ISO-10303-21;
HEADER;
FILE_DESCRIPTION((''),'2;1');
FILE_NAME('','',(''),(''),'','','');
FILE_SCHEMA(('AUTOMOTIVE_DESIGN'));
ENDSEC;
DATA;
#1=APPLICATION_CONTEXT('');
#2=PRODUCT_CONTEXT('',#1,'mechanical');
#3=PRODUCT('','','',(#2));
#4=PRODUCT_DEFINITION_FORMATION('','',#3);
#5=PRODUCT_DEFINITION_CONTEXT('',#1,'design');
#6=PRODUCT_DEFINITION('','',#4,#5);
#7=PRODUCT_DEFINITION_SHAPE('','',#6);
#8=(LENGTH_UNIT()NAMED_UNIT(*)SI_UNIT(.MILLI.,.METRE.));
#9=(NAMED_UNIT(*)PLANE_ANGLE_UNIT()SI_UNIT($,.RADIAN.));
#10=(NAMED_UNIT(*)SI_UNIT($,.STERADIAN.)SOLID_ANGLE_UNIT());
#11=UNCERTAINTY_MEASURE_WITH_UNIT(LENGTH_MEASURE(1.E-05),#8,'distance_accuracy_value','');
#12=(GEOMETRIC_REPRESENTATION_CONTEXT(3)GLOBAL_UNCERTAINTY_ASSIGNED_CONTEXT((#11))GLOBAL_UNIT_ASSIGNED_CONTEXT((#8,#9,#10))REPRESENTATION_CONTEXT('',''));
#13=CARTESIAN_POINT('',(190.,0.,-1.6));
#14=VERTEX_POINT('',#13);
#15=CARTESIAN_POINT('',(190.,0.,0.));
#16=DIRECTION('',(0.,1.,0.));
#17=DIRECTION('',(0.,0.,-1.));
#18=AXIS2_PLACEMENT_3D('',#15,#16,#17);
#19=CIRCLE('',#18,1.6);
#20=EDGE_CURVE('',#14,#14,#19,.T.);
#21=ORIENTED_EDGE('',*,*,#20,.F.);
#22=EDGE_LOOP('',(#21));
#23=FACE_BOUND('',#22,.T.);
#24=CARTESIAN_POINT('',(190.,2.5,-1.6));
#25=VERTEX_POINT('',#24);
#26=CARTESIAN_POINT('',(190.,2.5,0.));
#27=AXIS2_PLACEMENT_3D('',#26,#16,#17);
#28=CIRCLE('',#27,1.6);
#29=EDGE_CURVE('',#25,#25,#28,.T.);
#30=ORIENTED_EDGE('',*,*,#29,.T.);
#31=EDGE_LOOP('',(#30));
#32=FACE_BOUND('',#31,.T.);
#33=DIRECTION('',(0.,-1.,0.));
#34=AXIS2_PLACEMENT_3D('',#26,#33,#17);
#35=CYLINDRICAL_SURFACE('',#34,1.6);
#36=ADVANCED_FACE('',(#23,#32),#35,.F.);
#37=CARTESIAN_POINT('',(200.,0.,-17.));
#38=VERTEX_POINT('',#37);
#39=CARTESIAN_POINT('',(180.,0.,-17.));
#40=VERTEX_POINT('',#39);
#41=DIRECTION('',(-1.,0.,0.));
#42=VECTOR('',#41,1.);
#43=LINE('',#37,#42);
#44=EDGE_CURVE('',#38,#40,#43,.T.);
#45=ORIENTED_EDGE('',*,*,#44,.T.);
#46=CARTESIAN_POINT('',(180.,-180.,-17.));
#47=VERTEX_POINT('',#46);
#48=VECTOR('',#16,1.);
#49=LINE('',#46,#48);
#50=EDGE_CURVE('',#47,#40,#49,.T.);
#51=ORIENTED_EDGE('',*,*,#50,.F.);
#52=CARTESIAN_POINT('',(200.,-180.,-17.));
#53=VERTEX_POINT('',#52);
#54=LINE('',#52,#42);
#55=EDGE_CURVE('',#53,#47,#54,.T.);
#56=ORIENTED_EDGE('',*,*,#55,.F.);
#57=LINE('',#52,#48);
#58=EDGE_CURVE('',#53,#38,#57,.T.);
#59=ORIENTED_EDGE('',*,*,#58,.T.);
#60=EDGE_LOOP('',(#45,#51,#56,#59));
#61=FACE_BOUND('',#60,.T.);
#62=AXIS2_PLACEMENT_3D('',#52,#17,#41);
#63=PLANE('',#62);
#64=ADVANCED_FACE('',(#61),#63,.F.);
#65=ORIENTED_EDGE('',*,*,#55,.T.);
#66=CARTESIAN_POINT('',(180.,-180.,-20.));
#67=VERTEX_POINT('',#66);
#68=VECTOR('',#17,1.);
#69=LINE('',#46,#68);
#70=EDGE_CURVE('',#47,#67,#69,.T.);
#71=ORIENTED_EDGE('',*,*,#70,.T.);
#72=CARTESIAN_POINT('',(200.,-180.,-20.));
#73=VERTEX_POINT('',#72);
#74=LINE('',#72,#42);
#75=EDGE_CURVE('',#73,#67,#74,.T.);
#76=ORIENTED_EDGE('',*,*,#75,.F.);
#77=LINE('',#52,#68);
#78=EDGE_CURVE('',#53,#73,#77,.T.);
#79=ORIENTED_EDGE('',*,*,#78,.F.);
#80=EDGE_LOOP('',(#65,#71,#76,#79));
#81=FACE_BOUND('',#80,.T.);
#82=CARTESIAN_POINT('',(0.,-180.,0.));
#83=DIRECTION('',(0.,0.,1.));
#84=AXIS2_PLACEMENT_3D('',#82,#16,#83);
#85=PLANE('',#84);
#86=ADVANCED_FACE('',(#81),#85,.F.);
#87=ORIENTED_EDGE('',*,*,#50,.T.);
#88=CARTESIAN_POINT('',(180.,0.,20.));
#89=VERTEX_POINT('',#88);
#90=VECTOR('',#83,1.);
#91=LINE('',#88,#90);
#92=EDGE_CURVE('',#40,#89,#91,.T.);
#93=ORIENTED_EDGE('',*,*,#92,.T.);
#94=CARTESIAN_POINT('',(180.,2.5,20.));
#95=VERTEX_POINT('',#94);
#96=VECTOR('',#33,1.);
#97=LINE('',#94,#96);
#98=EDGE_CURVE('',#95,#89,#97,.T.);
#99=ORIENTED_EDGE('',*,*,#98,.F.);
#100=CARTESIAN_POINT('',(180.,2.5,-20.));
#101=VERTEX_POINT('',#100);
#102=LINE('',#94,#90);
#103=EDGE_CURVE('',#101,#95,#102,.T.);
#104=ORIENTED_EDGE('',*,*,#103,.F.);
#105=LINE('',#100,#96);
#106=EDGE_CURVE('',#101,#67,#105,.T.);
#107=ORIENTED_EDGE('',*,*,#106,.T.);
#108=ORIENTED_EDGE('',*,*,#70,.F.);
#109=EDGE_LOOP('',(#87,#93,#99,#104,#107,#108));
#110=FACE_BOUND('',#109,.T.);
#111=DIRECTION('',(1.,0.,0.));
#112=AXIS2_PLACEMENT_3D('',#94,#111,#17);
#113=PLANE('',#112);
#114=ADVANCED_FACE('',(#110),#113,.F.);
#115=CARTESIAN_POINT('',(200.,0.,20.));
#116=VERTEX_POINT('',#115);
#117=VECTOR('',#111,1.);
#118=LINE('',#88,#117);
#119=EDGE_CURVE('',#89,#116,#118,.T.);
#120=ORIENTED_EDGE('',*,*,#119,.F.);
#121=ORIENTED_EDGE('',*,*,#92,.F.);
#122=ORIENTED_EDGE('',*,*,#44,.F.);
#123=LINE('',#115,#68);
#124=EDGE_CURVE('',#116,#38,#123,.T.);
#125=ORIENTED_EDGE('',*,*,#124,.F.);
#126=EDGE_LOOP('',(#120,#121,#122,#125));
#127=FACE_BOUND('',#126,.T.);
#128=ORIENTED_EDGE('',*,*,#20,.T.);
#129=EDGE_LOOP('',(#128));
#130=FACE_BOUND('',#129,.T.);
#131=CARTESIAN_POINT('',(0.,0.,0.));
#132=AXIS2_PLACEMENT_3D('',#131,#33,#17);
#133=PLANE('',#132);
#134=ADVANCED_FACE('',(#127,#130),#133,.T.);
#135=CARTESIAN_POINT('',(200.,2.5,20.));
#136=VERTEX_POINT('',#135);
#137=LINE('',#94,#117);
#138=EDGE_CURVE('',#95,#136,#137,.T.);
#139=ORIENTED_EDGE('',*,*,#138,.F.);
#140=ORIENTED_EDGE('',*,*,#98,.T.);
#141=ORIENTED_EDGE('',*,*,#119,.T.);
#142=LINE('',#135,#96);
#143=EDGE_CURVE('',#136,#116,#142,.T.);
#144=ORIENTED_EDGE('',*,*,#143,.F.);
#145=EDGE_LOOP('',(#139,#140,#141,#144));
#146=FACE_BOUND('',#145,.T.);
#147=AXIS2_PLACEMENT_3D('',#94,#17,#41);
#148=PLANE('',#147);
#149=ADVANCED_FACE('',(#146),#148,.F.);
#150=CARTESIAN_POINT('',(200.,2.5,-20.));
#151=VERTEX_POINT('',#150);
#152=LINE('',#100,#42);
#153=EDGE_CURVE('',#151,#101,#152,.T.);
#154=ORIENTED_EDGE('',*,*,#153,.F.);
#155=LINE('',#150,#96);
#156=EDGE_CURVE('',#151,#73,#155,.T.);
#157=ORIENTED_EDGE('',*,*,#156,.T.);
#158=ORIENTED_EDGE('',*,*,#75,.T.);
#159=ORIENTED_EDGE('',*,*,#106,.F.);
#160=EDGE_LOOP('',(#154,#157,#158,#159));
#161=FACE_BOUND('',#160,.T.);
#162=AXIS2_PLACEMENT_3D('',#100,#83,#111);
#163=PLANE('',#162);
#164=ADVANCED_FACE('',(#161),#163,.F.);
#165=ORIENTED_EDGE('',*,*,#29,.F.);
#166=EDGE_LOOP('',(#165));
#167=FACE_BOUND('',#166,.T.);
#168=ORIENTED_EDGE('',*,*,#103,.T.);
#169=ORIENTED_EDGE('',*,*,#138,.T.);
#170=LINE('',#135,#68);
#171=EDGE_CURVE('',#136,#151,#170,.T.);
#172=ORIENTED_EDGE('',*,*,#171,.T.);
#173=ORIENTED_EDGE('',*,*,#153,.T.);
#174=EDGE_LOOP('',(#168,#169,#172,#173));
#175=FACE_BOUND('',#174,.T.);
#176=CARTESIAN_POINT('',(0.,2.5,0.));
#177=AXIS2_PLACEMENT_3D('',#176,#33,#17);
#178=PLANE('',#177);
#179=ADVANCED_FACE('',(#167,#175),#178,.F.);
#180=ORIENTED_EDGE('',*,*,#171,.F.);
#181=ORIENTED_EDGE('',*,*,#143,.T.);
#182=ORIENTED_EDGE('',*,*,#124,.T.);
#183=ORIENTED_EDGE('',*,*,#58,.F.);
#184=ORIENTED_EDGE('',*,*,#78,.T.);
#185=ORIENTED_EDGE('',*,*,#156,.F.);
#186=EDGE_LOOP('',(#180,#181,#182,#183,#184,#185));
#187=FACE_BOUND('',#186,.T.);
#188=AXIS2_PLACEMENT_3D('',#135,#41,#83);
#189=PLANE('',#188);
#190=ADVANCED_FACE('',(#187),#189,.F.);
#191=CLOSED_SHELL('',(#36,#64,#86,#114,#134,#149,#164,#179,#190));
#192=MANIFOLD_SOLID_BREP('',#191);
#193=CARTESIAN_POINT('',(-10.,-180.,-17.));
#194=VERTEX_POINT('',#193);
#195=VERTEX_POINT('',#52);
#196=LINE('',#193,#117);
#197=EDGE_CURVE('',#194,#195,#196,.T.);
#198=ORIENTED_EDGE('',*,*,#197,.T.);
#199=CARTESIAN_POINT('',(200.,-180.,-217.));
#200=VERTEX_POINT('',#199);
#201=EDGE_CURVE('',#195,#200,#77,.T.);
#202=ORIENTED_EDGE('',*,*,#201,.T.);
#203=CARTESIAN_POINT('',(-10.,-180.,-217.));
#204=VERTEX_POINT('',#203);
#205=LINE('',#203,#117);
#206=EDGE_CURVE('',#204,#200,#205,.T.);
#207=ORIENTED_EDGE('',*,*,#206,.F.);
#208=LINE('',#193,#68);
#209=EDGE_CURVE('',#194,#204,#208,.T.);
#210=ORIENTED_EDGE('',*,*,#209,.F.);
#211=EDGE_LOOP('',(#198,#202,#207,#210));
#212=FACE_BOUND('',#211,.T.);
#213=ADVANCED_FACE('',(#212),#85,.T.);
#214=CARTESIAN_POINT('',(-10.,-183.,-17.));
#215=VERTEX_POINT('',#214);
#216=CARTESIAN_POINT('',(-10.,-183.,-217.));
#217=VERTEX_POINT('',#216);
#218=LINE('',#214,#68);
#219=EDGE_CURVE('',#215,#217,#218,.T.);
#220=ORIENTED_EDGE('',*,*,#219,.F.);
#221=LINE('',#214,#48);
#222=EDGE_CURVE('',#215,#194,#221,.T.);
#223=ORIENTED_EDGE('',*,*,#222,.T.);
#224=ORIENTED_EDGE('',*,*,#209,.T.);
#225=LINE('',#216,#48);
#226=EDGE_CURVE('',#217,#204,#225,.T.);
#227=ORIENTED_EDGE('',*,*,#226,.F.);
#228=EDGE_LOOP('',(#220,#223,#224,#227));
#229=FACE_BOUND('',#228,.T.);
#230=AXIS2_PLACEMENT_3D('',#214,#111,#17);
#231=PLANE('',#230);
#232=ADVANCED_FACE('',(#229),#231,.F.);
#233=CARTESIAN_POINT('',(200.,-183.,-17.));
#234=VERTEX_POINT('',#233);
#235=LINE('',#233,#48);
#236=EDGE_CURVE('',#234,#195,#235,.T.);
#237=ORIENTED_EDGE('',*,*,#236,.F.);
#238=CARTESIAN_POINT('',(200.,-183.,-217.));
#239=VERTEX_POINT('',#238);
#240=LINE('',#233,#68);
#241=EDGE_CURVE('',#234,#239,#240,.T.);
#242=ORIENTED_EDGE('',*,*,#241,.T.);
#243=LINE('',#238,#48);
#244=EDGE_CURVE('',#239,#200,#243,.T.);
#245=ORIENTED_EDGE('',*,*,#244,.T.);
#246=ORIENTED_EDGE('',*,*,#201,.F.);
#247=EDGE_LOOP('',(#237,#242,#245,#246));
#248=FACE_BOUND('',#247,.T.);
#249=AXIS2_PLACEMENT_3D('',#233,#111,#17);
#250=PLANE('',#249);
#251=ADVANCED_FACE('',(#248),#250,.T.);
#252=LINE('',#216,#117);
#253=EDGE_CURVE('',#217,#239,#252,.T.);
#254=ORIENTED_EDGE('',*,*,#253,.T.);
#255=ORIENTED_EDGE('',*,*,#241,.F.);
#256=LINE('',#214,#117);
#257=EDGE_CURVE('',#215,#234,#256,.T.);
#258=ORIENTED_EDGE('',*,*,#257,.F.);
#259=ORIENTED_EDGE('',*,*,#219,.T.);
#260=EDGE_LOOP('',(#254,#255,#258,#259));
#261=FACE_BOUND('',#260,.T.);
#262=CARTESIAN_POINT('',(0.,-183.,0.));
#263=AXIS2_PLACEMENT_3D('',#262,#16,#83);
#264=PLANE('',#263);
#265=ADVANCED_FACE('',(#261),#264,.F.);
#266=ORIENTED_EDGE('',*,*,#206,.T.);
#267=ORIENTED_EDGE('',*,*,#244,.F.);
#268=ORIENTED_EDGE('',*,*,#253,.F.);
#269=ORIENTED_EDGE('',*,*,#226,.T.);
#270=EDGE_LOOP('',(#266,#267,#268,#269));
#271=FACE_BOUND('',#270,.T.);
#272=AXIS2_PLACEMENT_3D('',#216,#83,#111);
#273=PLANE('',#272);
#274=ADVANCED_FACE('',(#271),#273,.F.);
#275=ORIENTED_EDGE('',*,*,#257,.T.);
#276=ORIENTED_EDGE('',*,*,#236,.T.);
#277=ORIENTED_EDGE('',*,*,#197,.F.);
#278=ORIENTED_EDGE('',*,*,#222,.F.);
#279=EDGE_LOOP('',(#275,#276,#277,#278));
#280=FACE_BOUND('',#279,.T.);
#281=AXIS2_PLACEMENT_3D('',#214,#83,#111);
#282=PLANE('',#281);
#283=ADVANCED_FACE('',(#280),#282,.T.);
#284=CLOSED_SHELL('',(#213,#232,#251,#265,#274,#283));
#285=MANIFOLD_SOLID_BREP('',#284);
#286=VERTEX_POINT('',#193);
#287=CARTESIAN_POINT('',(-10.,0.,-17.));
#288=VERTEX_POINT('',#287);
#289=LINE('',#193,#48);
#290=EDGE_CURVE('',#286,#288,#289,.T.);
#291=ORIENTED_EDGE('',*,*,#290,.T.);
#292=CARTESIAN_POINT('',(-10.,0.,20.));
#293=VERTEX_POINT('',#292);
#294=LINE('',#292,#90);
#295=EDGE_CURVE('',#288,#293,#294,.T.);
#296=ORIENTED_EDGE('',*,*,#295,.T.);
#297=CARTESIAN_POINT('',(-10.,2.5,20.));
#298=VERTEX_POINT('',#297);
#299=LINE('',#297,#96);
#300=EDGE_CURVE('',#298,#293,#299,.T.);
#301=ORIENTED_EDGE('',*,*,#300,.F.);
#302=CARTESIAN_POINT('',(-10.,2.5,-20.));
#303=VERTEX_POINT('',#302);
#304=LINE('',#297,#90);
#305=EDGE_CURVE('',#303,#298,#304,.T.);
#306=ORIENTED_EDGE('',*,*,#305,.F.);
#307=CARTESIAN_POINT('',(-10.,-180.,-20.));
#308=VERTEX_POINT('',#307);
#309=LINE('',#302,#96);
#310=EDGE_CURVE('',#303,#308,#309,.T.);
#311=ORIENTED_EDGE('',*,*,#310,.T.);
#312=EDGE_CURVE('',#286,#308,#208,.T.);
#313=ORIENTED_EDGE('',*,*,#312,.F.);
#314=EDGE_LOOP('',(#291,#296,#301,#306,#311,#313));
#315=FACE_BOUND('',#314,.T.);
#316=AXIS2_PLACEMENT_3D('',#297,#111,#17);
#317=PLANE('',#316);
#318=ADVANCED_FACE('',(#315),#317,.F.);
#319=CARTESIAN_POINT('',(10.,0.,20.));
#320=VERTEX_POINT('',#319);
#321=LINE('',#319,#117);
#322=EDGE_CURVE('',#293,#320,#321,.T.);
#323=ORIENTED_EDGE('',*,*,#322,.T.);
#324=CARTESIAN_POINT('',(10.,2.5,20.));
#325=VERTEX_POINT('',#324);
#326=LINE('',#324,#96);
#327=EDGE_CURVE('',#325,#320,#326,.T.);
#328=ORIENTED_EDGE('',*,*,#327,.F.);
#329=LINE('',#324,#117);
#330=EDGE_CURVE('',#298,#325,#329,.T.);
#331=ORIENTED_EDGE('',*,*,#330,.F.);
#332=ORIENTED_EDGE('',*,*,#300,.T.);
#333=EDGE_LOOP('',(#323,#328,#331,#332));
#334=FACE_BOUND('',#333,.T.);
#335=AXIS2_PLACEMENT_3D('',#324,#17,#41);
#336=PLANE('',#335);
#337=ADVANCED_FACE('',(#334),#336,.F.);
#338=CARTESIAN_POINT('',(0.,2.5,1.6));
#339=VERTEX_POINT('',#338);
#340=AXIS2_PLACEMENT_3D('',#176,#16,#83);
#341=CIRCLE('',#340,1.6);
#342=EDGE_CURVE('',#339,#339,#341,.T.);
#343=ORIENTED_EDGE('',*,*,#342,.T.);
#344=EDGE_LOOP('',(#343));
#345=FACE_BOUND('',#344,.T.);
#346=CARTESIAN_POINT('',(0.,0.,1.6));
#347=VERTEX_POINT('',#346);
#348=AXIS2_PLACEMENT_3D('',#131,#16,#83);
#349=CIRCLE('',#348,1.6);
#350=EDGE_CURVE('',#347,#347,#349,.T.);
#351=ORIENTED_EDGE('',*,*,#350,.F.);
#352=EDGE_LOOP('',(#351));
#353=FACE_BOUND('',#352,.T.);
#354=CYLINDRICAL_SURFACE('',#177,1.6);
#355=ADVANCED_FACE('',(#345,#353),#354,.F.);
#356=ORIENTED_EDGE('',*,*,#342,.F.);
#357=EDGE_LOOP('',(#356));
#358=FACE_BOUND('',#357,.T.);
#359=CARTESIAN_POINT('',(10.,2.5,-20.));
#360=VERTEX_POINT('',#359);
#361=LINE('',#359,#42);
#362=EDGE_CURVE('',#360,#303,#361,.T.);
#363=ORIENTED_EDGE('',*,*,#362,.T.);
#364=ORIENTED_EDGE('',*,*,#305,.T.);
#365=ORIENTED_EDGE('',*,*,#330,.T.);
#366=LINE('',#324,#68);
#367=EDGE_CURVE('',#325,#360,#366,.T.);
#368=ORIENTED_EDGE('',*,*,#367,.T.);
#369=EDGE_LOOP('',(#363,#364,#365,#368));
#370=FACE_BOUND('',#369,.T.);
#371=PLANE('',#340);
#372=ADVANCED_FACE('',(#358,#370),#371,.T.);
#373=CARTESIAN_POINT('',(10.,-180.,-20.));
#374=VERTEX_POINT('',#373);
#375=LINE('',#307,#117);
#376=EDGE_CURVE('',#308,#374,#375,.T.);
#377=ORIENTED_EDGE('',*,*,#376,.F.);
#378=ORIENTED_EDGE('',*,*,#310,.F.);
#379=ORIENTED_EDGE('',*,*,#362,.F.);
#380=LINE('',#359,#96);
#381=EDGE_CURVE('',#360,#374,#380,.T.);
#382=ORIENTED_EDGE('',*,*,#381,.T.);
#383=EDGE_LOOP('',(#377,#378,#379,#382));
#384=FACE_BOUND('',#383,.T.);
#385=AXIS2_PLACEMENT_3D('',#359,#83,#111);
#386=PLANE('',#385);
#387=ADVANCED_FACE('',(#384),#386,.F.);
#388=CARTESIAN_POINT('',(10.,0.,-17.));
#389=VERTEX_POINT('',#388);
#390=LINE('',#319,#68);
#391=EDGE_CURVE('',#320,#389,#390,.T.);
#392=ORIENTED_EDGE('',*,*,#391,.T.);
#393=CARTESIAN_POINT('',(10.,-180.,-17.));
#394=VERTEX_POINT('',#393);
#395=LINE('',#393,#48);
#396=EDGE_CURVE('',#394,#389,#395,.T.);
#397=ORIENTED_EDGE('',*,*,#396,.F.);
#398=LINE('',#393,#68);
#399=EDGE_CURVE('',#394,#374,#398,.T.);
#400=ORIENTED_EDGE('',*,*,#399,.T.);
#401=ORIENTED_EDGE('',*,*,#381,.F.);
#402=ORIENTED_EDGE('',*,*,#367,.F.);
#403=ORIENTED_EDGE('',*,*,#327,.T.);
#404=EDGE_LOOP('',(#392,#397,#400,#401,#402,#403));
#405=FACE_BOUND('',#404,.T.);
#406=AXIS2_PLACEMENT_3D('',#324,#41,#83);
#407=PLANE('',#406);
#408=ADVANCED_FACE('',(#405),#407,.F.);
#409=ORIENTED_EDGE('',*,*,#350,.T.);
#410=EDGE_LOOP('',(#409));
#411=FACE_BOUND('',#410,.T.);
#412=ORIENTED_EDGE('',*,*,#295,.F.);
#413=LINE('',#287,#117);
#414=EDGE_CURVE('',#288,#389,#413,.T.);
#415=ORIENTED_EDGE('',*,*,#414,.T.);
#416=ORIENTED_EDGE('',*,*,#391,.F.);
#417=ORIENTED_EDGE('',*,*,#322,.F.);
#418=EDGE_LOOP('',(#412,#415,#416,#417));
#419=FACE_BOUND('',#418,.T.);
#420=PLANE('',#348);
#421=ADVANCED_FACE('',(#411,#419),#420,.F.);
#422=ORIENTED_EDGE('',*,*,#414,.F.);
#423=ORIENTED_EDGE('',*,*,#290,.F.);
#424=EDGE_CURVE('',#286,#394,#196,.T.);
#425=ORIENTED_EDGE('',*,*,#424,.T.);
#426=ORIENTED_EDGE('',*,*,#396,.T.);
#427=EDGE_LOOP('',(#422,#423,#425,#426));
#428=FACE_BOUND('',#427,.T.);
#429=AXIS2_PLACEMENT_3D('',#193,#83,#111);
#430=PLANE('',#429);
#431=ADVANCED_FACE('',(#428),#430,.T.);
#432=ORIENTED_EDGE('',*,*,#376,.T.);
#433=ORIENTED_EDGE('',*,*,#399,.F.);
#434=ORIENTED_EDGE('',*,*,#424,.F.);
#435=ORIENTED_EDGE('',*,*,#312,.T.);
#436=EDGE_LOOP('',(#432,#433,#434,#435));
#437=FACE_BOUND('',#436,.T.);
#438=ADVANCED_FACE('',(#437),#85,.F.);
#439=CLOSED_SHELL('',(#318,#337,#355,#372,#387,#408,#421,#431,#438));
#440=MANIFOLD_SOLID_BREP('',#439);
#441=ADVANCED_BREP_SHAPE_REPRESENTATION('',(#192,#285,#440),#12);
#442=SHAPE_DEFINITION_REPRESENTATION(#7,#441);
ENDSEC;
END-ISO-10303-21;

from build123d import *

# Parameters (mm, degrees)
SKETCH_1_W        = 20
SKETCH_1_H        = 40
SKETCH_1_R        = 1.6
EXTRUDE_1_DEPTH   = 2.5
EXTRUDE_1_2_DEPTH = 2.5
SKETCH_2_W        = 20
SKETCH_2_H        = 3
EXTRUDE_2_DEPTH   = 180
SKETCH_3_W        = 210
SKETCH_3_H        = 200
EXTRUDE_3_DEPTH   = 3


with BuildPart() as part:
    # 草图1 → 凸台-拉伸1 (new body)
    with BuildSketch(Plane(origin=(0, 0, 0), x_dir=(1, 0, 0), z_dir=(0, 1, 0))):
        Rectangle(SKETCH_1_W, SKETCH_1_H)
        with Locations(Location((0, 0, 0), (0, 0, 270))):
            Circle(SKETCH_1_R, mode=Mode.SUBTRACT)
    extrude(amount=EXTRUDE_1_DEPTH)



with BuildPart() as body_2:
    # 草图1 → Extrude 1 2 (new body)
    with BuildSketch(Plane(origin=(0, 0, 0), x_dir=(1, 0, 0), z_dir=(0, 1, 0))):
        with Locations((190, 0)):
            Rectangle(SKETCH_1_W, SKETCH_1_H)
        with Locations(Location((190, 0, 0), (0, 0, 90))):
            Circle(SKETCH_1_R, mode=Mode.SUBTRACT)
    extrude(amount=EXTRUDE_1_2_DEPTH)


with BuildPart() as part_1:
    add(part.part)

    add(body_2.part)  # 凸台-拉伸2 merges body 2
    # 草图2 → 凸台-拉伸2 (add)
    with BuildSketch(Plane.XZ):
        with Locations((0, -18.5)):
            Rectangle(SKETCH_2_W, SKETCH_2_H)
        with Locations((190, -18.5)):
            Rectangle(SKETCH_2_W, SKETCH_2_H)
    extrude(amount=EXTRUDE_2_DEPTH)


with BuildPart() as body_2_2:
    # 草图3 → 凸台-拉伸3 (new body)
    with BuildSketch(Plane.XZ.offset(180)):
        with Locations((95, -117)):
            Rectangle(SKETCH_3_W, SKETCH_3_H)
    extrude(amount=EXTRUDE_3_DEPTH)


solid = Compound([part_1.part, body_2_2.part])
